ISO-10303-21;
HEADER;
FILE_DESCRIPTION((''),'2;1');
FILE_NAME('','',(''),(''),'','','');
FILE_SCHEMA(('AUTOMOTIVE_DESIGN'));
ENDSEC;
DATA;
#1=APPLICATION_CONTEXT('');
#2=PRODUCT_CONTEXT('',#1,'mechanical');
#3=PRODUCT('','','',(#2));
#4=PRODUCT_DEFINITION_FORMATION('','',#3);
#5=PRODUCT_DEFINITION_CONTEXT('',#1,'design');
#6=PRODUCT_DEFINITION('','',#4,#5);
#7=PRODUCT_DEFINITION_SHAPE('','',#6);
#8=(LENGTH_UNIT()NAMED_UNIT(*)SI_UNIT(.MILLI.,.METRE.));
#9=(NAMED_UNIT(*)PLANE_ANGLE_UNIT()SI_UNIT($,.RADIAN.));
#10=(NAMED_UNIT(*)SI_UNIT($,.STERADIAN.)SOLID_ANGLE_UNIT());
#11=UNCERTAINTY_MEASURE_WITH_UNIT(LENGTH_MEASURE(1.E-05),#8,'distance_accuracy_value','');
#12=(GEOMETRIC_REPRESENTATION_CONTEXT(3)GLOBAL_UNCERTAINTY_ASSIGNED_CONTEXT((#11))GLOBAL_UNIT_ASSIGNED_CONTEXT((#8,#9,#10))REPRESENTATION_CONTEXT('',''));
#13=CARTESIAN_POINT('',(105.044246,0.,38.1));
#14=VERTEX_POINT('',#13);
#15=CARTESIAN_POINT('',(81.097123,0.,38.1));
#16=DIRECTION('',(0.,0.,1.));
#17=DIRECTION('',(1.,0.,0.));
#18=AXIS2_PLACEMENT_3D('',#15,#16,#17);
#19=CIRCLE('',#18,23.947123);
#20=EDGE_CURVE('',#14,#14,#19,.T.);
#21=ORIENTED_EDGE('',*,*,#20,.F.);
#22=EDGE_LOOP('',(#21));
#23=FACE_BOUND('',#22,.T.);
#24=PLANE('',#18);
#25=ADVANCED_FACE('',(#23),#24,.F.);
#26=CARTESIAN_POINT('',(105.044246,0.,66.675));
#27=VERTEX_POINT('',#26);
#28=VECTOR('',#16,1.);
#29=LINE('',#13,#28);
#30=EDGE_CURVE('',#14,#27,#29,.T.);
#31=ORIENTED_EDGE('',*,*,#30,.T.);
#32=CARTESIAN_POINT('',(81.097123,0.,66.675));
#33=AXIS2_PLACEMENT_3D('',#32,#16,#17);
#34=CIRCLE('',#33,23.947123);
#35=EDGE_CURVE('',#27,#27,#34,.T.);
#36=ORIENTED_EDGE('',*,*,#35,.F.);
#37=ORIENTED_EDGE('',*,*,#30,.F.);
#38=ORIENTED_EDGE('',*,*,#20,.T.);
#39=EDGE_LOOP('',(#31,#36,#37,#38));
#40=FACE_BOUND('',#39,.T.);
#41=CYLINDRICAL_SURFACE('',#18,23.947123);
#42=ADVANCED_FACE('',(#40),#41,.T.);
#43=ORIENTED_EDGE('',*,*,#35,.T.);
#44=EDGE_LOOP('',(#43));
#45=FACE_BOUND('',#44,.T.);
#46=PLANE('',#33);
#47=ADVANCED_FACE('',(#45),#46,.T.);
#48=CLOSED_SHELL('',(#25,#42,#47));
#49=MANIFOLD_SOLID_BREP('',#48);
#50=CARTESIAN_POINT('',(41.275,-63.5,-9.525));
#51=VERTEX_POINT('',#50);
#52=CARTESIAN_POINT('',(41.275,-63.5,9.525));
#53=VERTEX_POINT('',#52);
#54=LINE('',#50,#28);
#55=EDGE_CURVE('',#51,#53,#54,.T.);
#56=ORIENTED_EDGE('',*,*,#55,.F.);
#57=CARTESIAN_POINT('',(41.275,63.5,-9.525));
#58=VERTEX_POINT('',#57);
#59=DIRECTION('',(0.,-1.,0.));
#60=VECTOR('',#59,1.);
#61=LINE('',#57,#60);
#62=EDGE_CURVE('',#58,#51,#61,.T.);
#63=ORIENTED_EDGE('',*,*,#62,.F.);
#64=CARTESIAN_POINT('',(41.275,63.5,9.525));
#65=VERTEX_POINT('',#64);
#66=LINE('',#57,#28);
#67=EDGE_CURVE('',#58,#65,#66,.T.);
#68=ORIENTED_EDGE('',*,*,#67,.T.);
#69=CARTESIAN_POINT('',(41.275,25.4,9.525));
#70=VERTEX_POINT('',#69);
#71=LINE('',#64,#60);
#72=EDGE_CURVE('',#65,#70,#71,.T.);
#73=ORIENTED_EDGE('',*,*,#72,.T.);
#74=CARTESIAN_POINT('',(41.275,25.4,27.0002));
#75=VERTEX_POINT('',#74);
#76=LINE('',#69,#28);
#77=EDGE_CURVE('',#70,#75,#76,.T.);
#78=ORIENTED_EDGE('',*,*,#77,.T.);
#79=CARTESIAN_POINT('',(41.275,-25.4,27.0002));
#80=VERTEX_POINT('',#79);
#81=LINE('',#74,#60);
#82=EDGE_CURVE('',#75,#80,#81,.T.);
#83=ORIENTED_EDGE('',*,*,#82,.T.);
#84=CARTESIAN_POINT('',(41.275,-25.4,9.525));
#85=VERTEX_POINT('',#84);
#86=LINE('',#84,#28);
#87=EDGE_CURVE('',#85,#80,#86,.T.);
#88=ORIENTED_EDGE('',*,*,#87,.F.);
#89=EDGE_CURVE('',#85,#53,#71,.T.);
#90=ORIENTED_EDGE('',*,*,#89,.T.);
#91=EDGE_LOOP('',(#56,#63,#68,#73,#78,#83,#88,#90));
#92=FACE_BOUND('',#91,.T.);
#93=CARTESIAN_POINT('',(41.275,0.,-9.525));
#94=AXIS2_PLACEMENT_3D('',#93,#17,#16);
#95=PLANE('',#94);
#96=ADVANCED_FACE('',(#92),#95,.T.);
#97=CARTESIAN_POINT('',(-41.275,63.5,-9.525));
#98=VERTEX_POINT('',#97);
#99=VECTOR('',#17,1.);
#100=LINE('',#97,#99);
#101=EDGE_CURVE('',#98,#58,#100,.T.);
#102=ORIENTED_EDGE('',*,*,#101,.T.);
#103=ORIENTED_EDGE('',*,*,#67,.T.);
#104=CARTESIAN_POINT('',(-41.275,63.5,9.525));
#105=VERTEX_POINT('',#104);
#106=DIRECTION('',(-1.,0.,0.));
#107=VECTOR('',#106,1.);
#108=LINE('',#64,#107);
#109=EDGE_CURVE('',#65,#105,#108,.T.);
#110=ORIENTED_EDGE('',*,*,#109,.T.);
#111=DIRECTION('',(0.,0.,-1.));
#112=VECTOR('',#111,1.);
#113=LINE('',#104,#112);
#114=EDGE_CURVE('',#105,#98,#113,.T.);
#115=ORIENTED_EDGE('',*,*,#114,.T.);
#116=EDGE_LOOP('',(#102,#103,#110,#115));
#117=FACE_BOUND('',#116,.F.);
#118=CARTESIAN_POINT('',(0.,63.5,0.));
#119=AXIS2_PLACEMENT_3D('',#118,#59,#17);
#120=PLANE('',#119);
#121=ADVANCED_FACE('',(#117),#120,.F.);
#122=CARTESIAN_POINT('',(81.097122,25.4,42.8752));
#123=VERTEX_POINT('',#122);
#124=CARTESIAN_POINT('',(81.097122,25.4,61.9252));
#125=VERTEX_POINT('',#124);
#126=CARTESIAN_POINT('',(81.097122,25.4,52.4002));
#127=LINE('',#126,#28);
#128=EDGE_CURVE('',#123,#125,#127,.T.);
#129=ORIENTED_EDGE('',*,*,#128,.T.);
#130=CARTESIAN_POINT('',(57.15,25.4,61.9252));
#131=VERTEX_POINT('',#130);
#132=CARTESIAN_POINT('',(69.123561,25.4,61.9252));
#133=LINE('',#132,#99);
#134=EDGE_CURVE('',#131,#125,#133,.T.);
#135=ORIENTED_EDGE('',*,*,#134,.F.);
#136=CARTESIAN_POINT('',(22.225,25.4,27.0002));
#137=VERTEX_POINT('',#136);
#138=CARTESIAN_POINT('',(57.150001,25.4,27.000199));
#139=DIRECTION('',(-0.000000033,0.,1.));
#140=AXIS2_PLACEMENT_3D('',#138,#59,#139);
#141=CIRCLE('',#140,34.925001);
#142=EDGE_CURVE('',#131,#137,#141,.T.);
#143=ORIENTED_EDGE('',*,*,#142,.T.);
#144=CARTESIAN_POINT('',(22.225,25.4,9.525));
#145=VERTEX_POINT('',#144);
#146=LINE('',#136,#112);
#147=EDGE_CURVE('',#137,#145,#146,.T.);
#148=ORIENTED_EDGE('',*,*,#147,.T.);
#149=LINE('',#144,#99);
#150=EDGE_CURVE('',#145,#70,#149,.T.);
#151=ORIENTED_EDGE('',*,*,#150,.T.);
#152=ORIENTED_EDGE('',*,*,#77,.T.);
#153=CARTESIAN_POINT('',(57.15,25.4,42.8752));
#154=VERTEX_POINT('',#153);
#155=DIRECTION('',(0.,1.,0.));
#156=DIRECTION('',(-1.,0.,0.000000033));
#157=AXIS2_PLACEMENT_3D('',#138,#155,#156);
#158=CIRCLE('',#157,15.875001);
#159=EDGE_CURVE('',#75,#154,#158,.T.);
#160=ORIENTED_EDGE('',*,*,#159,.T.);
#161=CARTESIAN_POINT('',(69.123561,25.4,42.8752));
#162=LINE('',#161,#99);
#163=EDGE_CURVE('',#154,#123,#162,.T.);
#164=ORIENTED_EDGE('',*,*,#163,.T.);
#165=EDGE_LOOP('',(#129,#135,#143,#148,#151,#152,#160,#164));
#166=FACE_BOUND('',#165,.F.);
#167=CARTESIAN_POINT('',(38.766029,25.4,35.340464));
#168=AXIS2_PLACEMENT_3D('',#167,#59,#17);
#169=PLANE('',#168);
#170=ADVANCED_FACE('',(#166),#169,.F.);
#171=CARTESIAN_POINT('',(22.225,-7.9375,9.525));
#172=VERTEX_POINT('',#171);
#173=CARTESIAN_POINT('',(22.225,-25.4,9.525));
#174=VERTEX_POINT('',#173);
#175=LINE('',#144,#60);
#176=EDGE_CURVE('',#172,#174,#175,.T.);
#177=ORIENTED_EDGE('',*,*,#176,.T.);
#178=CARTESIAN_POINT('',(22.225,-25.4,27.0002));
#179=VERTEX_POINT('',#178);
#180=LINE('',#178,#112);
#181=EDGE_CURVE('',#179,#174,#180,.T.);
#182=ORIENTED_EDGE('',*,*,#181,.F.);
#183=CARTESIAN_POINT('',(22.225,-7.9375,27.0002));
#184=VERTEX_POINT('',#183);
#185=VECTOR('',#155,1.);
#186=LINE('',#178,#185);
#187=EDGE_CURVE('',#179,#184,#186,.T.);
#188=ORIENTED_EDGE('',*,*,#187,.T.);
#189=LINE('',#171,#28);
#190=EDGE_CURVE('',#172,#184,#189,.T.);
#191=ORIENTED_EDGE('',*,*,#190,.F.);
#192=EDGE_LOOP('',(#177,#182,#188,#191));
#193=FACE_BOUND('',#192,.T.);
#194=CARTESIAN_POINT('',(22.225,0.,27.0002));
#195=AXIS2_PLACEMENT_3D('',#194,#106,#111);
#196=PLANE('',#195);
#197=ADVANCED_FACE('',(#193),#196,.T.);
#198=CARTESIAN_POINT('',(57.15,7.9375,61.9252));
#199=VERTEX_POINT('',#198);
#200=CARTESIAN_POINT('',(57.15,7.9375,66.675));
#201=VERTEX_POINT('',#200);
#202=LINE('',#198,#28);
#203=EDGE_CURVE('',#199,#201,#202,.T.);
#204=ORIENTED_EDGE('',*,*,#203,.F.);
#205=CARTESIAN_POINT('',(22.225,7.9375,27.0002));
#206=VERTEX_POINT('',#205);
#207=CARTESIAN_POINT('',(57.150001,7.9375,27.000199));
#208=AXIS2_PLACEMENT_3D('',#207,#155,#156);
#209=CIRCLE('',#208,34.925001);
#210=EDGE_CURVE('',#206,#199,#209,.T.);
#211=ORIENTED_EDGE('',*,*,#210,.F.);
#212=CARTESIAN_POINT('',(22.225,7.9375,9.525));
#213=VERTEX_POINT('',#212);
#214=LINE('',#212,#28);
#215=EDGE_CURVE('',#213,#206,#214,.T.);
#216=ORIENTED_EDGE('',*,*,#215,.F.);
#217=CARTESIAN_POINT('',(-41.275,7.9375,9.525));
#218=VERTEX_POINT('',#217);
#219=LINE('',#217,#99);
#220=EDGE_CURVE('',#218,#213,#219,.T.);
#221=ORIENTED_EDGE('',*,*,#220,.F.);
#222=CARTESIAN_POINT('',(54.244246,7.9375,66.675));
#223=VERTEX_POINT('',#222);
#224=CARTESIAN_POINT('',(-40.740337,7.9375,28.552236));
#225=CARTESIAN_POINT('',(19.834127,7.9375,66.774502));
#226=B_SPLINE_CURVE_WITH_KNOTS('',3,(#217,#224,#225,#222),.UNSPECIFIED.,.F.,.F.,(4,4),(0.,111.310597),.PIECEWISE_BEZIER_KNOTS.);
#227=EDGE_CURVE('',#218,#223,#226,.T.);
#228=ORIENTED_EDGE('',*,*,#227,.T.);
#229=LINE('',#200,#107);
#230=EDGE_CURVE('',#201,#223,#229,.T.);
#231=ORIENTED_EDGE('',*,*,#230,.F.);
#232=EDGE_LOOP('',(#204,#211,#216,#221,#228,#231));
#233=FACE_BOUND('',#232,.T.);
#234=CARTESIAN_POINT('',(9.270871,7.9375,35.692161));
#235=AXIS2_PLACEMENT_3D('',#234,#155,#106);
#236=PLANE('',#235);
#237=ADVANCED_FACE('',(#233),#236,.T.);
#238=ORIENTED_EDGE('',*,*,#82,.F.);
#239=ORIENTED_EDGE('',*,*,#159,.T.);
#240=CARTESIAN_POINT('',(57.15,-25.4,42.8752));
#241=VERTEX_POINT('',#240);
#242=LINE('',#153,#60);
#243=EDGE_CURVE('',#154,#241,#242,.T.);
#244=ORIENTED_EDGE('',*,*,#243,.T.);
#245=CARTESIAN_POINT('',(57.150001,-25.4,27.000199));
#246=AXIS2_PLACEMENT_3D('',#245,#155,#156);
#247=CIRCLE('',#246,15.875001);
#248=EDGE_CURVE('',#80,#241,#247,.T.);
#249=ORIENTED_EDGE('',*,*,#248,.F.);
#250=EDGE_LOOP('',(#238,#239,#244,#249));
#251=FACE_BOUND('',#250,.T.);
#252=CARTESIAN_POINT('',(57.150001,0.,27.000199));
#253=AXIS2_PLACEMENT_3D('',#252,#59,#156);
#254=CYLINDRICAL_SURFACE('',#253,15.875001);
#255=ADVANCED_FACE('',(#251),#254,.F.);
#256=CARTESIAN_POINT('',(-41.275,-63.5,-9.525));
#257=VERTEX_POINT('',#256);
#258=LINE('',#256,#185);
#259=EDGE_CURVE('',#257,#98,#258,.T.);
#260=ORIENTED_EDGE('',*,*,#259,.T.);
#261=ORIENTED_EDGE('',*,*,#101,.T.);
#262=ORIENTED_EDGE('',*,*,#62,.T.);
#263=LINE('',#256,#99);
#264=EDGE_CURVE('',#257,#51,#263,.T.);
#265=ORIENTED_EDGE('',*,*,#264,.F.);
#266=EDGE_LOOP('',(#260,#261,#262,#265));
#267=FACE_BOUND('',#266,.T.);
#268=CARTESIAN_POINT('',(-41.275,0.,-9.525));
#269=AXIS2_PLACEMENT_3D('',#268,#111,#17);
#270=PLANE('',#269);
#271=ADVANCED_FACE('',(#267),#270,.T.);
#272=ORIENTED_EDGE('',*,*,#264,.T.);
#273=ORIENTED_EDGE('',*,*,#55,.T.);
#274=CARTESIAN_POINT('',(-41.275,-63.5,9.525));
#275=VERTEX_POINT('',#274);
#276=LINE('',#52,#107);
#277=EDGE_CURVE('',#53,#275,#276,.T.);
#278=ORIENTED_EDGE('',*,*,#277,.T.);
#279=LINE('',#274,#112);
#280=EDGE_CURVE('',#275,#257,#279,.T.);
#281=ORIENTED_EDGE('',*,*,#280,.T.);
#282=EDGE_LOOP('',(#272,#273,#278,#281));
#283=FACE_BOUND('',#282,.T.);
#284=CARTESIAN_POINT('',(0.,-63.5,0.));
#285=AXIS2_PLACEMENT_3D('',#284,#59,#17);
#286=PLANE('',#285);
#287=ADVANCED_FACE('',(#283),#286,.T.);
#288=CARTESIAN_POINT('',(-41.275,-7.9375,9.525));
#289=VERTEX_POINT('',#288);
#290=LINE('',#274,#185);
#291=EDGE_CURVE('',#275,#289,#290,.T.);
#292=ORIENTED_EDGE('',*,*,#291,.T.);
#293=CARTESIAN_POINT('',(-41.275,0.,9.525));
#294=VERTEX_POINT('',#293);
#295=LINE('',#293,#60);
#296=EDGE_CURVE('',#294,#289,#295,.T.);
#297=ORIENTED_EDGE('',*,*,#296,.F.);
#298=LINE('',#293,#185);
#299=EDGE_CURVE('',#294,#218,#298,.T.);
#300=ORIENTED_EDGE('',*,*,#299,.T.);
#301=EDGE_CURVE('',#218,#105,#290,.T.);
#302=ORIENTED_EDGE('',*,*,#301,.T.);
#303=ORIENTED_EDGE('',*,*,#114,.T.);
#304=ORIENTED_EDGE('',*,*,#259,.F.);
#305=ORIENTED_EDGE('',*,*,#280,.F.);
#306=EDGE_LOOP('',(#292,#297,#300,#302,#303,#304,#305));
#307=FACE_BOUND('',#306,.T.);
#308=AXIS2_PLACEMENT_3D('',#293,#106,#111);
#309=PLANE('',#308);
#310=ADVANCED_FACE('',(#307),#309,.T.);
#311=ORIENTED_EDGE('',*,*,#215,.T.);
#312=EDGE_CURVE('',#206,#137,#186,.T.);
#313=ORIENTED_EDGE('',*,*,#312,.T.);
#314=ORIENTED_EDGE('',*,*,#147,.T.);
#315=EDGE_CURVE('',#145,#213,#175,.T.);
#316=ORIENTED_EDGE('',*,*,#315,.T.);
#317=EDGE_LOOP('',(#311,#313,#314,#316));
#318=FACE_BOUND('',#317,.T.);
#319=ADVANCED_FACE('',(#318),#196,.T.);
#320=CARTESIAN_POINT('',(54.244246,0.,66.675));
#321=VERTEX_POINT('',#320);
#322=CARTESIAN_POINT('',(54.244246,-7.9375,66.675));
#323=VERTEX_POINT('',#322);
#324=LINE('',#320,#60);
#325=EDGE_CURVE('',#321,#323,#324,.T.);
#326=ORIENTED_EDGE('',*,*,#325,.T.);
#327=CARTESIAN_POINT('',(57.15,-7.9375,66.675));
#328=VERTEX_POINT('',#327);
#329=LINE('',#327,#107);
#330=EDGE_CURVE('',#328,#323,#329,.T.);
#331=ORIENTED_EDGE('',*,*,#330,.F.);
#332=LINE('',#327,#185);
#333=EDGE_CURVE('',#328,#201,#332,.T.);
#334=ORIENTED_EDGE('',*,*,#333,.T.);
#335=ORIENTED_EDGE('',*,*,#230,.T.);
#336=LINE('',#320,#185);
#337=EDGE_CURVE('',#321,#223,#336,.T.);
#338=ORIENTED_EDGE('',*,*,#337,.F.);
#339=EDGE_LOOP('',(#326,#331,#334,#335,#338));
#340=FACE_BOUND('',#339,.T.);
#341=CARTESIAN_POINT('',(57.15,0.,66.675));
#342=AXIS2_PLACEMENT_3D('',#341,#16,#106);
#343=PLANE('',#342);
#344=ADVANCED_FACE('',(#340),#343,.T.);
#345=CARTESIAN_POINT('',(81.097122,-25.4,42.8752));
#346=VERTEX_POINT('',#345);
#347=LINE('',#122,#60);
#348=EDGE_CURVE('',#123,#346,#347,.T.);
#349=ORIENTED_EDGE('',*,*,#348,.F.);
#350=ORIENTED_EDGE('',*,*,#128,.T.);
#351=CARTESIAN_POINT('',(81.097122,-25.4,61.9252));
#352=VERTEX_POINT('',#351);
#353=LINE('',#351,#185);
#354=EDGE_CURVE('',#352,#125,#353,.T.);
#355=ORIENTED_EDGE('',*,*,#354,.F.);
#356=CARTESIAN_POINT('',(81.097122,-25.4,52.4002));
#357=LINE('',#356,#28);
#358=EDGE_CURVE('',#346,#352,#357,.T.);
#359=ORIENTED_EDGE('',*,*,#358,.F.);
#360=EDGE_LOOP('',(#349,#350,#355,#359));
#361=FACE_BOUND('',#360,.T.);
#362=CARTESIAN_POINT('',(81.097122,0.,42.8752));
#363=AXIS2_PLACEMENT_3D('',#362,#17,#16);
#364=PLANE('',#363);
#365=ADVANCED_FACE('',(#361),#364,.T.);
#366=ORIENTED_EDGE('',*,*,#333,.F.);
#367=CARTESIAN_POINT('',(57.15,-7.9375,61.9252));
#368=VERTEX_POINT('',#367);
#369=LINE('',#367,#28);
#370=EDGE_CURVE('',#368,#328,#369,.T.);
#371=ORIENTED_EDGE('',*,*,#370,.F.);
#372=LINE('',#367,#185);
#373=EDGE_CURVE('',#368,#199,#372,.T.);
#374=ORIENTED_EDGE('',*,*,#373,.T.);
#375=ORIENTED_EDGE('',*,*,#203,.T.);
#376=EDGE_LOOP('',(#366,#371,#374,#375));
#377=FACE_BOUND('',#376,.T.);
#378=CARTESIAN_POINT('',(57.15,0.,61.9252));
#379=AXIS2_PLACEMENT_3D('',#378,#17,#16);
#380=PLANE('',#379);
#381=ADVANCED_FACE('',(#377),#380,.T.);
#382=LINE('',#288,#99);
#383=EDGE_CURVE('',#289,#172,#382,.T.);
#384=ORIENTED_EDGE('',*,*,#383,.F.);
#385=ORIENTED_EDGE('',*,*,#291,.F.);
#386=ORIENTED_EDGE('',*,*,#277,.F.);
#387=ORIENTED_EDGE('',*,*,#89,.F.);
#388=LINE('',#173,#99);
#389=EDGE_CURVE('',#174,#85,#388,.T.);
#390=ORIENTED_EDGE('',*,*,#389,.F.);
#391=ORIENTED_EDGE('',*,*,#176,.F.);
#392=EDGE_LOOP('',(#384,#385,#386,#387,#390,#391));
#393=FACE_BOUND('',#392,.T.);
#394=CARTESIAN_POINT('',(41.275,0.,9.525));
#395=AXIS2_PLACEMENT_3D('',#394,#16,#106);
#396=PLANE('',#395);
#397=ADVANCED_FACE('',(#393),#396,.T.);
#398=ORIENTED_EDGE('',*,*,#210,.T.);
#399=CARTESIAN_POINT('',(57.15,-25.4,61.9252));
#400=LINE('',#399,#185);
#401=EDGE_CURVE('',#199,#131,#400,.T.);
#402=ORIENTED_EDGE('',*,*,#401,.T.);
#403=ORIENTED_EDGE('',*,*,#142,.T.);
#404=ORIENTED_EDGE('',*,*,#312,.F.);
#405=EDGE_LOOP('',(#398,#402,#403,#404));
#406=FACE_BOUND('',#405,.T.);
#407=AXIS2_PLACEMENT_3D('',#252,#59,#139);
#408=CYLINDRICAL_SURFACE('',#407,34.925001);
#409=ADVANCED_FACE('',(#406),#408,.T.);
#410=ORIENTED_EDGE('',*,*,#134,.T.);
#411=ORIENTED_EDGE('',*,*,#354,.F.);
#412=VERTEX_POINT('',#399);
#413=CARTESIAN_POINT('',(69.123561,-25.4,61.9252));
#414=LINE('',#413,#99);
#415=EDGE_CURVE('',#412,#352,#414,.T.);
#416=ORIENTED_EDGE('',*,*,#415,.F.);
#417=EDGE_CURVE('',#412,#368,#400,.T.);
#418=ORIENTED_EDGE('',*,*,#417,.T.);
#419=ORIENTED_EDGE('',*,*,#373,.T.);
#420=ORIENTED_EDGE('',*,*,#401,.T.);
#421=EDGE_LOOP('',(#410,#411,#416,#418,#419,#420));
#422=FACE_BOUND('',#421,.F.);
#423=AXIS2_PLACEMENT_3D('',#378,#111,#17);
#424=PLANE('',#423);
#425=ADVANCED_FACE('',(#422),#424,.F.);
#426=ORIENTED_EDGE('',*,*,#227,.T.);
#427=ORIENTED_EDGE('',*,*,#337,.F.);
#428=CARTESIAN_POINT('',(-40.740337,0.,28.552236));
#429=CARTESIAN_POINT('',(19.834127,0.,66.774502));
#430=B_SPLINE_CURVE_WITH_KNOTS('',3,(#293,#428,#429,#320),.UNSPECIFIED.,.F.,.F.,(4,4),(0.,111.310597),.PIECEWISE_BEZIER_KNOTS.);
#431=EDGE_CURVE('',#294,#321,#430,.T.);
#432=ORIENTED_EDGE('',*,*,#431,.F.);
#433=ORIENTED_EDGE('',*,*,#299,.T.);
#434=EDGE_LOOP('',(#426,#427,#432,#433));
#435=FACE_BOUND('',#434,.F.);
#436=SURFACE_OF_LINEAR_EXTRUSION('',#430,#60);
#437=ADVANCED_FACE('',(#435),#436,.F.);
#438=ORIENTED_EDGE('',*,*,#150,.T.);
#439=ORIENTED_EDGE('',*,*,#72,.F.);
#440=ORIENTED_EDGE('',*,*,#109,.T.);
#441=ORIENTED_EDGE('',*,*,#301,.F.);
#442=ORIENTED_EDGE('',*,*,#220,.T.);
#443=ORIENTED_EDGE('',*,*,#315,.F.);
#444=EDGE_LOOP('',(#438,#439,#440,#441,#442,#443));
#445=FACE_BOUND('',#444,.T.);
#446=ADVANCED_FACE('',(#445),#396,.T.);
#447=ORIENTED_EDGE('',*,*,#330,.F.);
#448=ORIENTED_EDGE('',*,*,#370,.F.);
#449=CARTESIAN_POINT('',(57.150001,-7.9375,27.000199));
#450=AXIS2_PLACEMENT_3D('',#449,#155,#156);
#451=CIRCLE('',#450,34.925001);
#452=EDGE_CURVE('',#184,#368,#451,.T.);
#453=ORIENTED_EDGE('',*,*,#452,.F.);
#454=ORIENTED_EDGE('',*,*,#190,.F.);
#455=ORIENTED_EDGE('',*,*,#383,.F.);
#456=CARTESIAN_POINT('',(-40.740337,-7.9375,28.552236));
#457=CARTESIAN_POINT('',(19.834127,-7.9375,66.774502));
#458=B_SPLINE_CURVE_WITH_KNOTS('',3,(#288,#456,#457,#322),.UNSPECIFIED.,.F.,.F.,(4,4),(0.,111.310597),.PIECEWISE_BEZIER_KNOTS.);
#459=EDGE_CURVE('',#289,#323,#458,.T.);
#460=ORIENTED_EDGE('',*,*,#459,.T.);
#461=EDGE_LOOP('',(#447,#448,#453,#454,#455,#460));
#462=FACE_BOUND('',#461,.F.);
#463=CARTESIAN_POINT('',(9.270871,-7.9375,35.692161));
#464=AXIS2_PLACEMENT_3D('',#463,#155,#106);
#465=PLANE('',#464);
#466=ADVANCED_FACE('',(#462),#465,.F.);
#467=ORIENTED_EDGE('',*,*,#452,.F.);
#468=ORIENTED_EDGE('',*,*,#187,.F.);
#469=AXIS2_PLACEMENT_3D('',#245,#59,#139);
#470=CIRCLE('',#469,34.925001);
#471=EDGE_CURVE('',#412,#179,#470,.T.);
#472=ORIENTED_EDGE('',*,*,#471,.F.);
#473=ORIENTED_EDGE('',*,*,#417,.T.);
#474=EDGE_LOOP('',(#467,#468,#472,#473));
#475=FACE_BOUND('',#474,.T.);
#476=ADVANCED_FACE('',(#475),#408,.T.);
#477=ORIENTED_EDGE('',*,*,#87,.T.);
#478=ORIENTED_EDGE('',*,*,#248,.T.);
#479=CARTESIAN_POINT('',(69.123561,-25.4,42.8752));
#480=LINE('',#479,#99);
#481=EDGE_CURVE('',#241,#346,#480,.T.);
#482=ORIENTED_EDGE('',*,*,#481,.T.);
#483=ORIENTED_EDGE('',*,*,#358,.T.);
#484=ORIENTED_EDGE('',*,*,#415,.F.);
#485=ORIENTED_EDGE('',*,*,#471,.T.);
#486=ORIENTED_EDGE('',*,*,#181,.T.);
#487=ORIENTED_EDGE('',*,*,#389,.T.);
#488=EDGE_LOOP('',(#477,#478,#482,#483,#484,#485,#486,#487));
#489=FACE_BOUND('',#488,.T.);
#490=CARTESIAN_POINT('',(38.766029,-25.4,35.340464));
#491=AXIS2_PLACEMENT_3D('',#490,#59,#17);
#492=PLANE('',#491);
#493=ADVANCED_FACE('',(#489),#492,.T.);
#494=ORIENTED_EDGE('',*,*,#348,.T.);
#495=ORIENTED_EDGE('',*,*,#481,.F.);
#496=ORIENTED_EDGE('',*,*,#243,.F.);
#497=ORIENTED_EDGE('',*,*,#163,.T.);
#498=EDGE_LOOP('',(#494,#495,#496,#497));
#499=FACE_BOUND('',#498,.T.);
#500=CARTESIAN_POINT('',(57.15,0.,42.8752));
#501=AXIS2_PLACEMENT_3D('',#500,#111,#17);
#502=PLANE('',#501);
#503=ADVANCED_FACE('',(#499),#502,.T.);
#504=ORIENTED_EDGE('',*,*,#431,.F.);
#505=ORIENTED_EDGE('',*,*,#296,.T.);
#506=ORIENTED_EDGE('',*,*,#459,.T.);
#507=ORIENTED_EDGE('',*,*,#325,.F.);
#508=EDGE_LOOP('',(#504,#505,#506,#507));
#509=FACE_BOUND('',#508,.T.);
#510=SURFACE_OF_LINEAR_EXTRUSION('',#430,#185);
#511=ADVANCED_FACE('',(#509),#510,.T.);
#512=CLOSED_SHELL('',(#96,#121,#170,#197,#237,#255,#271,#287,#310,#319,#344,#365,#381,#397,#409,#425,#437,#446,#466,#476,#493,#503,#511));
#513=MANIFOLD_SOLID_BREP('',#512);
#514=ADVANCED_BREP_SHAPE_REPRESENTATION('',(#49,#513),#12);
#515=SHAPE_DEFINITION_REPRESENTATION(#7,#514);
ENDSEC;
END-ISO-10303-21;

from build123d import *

# Parameters (mm, degrees)
F1_DEPTH = 63.5
F0_W     = 23.947123
F0_H     = 19.05
F2_DEPTH = 25.4
F3_DEPTH = 7.9375


with BuildPart() as f1:
    # F0 (on Front) → F1 (new body, symmetric)
    with BuildSketch(Plane.XZ):
        Polygon((-41.275, -9.525), (41.275, -9.525), (41.275, 9.525), (22.225, 9.525), (-41.275, 9.525), align=None)
    extrude(amount=F1_DEPTH, both=True)

    # F0 (on Front) → F2 (join, symmetric)
    with BuildSketch(Plane.XZ):
        with BuildLine():
            Line((22.225, 9.525), (41.275, 9.525))
            Line((41.275, 9.525), (41.275, 27.0002))
            ThreePointArc((41.275, 27.0002), (45.92468, 38.22552), (57.15, 42.8752))
            Line((57.15, 42.8752), (57.15, 61.9252))
            ThreePointArc((57.15, 61.9252), (32.454296, 51.695904), (22.225, 27.0002))
            Line((22.225, 27.0002), (22.225, 9.525))
        make_face()
        with Locations((69.123561, 52.4002)):
            Rectangle(F0_W, F0_H)
    extrude(amount=F2_DEPTH, both=True)

    # F0 (on Front) → F3 (join, symmetric)
    with BuildSketch(Plane.XZ):
        with BuildLine():
            add(Edge.make_bspline(
                [(-41.275, 9.525), (-40.740337, 28.552236), (19.834127, 66.774502), (54.244246, 66.675)],
                knots=[0, 0, 0, 0, 111.310597, 111.310597, 111.310597, 111.310597], degree=3))
            Line((-41.275, 9.525), (22.225, 9.525))
            Line((22.225, 9.525), (22.225, 27.0002))
            ThreePointArc((22.225, 27.0002), (32.454296, 51.695904), (57.15, 61.9252))
            Line((57.15, 61.9252), (57.15, 66.675))
            Line((57.15, 66.675), (54.244246, 66.675))
        make_face()
    extrude(amount=F3_DEPTH, both=True)


with BuildPart() as f4:
    # F0 (on Front) → F4 (revolve)
    with BuildSketch(Plane.XZ):
        Polygon((81.097123, 61.9252), (81.097123, 42.8752), (81.097123, 38.1), (105.044246, 38.1), (105.044246, 66.675), (81.097123, 66.675), align=None)
    revolve(axis=Axis((81.097123, 0, 52.3875), (0, 0, 1)))


solid = Compound([f1.part, f4.part])
